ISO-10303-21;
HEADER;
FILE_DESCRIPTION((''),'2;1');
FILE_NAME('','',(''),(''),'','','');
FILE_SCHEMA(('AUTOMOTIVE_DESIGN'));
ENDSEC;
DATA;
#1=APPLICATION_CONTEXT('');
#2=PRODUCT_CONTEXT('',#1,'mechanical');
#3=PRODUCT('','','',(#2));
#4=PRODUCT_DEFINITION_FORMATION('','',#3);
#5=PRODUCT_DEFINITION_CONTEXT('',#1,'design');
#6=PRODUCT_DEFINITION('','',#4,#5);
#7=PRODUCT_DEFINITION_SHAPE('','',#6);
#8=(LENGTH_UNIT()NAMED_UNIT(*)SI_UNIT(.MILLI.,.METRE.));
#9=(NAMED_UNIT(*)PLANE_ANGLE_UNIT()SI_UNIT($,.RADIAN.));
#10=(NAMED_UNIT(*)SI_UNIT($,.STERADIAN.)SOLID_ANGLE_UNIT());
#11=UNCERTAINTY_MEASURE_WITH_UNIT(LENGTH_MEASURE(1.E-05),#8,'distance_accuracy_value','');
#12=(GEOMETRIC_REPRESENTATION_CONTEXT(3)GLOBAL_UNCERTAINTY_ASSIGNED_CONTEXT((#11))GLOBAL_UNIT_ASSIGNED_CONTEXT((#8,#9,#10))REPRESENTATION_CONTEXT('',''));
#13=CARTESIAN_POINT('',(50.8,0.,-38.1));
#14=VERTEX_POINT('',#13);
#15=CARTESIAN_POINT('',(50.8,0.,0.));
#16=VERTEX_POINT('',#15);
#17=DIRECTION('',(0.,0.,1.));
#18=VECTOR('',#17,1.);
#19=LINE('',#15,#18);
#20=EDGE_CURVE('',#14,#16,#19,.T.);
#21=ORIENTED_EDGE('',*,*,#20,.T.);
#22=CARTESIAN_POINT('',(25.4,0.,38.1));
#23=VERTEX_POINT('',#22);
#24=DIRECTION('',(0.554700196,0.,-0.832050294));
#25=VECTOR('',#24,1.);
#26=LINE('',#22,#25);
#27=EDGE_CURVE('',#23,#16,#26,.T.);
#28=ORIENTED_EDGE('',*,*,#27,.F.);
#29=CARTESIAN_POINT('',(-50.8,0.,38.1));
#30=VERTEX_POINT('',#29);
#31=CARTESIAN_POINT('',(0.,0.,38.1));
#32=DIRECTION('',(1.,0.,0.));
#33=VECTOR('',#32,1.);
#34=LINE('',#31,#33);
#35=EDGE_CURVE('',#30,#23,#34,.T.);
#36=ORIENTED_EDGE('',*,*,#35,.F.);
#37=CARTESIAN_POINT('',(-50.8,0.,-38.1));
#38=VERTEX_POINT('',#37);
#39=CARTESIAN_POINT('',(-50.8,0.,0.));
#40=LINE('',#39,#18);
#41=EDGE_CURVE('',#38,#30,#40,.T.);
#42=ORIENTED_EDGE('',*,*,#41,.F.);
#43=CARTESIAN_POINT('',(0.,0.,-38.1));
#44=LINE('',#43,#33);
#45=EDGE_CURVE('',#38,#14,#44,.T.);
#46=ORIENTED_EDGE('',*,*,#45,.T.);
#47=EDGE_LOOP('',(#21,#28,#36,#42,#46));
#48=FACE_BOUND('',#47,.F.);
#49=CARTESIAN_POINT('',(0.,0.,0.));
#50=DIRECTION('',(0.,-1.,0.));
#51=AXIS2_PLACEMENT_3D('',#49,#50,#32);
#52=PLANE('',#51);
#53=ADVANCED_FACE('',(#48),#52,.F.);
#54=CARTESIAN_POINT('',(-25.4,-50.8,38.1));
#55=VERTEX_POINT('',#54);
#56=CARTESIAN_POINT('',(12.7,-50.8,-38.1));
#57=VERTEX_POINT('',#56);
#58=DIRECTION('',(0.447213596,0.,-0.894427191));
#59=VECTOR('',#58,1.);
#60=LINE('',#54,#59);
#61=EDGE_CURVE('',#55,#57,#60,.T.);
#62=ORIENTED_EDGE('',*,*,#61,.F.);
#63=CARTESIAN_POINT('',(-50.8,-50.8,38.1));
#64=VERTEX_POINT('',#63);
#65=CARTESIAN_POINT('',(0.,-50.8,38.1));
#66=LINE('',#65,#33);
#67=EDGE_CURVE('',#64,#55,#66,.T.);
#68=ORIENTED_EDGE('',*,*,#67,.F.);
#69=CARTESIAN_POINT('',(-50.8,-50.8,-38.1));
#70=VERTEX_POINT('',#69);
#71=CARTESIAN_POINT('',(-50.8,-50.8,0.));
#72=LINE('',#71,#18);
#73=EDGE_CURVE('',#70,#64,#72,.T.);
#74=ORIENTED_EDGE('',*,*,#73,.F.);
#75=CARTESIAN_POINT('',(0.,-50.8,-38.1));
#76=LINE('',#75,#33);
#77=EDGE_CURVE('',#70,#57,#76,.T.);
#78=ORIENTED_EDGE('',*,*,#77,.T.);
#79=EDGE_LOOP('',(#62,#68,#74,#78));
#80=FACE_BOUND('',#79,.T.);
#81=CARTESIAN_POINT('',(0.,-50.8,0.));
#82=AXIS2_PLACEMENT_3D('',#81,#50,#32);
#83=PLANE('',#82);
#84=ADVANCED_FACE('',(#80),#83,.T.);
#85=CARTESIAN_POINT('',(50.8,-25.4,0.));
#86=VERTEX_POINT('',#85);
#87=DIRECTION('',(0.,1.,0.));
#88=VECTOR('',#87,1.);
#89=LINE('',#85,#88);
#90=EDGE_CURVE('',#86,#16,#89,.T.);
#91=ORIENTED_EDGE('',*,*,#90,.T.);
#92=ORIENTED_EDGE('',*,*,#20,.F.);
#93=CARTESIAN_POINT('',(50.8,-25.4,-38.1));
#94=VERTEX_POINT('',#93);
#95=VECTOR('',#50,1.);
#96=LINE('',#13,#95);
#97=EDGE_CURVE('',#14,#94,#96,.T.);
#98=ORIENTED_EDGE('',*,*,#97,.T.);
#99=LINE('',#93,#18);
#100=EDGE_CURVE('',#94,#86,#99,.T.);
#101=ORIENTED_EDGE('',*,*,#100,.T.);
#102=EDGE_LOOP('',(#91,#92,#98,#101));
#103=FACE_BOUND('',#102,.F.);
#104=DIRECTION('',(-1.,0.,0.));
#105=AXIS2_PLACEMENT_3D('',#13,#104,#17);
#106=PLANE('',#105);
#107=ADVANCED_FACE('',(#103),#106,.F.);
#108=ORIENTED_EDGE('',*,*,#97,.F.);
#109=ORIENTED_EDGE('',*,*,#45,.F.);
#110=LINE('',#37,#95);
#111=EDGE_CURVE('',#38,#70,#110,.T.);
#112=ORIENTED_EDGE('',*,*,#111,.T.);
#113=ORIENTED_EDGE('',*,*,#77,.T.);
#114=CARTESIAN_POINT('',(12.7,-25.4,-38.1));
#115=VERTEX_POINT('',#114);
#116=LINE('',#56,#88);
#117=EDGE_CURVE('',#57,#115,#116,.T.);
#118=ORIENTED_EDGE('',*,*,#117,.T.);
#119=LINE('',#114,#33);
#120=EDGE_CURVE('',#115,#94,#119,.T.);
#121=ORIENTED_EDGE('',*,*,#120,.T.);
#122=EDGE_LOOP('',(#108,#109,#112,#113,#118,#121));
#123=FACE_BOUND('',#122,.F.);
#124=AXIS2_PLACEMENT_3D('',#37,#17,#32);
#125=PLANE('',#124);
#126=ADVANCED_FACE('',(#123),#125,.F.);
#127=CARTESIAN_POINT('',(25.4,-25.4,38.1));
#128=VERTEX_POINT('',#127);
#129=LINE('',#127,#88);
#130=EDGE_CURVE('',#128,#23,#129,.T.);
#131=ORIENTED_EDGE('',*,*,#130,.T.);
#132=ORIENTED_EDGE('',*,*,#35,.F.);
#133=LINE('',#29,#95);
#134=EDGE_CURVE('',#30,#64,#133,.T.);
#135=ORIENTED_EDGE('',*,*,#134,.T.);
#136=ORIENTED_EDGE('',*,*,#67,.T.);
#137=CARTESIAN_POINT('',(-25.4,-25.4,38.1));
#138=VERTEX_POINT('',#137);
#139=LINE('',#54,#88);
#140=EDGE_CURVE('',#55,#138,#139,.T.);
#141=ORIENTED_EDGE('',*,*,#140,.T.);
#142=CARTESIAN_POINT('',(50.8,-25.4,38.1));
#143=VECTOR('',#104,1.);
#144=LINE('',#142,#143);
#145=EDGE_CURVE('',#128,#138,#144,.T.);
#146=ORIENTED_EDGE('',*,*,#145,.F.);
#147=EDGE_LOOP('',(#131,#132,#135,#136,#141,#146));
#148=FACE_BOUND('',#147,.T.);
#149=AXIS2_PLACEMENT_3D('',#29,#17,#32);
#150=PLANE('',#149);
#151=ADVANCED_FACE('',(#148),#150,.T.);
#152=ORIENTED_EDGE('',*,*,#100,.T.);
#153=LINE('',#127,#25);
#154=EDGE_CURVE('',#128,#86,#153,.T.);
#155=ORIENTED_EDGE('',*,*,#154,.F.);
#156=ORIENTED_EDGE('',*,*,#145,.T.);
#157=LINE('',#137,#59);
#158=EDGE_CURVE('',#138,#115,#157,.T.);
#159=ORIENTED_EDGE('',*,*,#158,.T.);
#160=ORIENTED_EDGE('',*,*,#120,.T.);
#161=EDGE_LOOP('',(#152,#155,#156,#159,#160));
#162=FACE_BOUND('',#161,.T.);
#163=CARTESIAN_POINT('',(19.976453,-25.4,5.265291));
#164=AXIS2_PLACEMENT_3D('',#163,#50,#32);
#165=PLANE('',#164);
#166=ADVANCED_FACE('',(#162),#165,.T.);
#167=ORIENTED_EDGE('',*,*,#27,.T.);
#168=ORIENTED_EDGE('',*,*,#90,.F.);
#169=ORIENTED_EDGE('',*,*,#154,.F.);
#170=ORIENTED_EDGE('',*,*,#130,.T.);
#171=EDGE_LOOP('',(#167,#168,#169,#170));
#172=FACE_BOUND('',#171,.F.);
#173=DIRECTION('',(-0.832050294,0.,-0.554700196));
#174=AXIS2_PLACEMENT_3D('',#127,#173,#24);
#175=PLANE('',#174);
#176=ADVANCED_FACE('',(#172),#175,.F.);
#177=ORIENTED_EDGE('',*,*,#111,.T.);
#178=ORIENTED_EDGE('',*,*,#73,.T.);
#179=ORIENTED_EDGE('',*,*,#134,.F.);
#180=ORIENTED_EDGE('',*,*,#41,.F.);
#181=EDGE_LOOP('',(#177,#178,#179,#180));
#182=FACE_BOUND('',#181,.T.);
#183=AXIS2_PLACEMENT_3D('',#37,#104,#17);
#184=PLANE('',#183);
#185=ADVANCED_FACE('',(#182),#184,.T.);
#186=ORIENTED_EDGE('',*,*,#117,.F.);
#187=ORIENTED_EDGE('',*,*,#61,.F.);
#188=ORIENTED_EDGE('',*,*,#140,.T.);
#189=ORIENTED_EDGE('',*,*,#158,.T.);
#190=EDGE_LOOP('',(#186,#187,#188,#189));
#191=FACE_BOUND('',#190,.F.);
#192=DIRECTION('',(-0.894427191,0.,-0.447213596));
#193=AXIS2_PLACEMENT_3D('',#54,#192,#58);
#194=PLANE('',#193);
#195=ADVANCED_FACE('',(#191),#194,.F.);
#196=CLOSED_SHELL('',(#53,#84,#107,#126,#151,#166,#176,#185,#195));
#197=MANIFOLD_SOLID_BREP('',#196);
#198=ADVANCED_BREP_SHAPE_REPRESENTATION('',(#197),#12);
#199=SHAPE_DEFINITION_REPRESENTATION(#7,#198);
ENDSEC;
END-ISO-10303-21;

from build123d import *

# Parameters (mm, degrees)
F0_W     = 101.6
F0_H     = 76.2
F1_DEPTH = 50.8
F3_DEPTH = 25.4
F5_DEPTH = 25.4


with BuildPart() as f1:
    # F0 (on Front) → F1 (new body)
    with BuildSketch(Plane.XZ):
        Rectangle(F0_W, F0_H)
    extrude(amount=F1_DEPTH)

    # F2 (on face) → F3 (cut)
    with BuildSketch(Plane.XZ.offset(50.8)):
        Polygon((50.8, 38.1), (-25.4, 38.1), (12.7, -38.1), (50.8, -38.1), align=None)
    extrude(amount=-F3_DEPTH, mode=Mode.SUBTRACT)

    # F4 (on face) → F5 (cut)
    with BuildSketch(Plane.XZ.offset(25.4)):
        Polygon((50.8, 38.1), (25.4, 38.1), (50.8, 0), align=None)
    extrude(amount=-F5_DEPTH, mode=Mode.SUBTRACT)


solid = f1.part
